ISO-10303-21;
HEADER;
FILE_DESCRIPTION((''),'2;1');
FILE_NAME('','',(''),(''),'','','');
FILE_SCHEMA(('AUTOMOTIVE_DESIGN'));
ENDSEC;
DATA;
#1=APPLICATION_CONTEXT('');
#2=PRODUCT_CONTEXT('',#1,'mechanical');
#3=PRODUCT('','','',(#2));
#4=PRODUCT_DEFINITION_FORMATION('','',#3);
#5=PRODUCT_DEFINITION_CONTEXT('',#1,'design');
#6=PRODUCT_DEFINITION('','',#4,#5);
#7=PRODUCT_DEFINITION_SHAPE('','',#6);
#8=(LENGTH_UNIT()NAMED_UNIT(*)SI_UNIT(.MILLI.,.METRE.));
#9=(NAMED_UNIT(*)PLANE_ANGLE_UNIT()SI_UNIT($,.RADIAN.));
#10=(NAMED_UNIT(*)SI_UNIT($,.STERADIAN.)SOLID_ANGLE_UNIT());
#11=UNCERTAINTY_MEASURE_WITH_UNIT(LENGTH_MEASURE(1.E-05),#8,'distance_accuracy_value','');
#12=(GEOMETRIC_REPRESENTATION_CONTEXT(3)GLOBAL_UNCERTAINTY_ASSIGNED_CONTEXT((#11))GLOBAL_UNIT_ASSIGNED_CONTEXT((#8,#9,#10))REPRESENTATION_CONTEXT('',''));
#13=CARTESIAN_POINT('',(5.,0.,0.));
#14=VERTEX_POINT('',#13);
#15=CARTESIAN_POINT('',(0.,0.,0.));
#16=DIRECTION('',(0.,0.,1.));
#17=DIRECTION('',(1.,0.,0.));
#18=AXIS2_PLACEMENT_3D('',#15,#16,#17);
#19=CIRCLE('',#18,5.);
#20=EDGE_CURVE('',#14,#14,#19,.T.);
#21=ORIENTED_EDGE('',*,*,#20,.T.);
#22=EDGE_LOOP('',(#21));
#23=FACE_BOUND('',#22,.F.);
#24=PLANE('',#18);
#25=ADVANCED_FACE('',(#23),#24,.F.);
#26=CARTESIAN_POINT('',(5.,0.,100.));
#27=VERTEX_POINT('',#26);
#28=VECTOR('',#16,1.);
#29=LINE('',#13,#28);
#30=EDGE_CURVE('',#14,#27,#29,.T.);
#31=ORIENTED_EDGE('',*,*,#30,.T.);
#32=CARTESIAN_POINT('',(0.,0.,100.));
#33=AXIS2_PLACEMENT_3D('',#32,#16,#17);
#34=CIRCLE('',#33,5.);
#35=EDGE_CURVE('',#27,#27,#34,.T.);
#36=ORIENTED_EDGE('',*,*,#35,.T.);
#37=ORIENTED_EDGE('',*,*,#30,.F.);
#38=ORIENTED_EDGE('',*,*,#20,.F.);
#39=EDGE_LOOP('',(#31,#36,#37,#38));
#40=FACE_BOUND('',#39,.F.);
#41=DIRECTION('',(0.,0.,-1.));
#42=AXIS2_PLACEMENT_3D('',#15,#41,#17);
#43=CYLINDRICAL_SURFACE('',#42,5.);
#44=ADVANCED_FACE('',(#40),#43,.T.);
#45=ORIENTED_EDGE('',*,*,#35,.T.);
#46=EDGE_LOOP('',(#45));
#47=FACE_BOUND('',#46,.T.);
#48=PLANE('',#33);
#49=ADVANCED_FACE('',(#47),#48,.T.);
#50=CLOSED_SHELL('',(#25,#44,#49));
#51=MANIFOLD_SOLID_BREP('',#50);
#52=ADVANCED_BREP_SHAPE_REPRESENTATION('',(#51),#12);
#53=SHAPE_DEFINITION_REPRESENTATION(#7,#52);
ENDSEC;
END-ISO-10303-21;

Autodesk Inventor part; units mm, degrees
ref_plane "YZ Plane" through (0, 0, 0) normal (1, 0, 0) x (0, 1, 0)
ref_plane "XZ Plane" through (0, 0, 0) normal (0, 1, 0) x (-1, 0, 0)
ref_plane "XY Plane" through (0, 0, 0) normal (0, 0, 1) x (1, 0, 0)
sketch "Skizze1" plane through (0, 0, 0) normal (0, 0, 1) x (1, 0, 0)
  circle A0 centre (0, 0) radius 5
  dimension "d0" = 10
extrude "Extrusion1" add sketch "Skizze1" along normal blind 100
properties part number "Stab"
